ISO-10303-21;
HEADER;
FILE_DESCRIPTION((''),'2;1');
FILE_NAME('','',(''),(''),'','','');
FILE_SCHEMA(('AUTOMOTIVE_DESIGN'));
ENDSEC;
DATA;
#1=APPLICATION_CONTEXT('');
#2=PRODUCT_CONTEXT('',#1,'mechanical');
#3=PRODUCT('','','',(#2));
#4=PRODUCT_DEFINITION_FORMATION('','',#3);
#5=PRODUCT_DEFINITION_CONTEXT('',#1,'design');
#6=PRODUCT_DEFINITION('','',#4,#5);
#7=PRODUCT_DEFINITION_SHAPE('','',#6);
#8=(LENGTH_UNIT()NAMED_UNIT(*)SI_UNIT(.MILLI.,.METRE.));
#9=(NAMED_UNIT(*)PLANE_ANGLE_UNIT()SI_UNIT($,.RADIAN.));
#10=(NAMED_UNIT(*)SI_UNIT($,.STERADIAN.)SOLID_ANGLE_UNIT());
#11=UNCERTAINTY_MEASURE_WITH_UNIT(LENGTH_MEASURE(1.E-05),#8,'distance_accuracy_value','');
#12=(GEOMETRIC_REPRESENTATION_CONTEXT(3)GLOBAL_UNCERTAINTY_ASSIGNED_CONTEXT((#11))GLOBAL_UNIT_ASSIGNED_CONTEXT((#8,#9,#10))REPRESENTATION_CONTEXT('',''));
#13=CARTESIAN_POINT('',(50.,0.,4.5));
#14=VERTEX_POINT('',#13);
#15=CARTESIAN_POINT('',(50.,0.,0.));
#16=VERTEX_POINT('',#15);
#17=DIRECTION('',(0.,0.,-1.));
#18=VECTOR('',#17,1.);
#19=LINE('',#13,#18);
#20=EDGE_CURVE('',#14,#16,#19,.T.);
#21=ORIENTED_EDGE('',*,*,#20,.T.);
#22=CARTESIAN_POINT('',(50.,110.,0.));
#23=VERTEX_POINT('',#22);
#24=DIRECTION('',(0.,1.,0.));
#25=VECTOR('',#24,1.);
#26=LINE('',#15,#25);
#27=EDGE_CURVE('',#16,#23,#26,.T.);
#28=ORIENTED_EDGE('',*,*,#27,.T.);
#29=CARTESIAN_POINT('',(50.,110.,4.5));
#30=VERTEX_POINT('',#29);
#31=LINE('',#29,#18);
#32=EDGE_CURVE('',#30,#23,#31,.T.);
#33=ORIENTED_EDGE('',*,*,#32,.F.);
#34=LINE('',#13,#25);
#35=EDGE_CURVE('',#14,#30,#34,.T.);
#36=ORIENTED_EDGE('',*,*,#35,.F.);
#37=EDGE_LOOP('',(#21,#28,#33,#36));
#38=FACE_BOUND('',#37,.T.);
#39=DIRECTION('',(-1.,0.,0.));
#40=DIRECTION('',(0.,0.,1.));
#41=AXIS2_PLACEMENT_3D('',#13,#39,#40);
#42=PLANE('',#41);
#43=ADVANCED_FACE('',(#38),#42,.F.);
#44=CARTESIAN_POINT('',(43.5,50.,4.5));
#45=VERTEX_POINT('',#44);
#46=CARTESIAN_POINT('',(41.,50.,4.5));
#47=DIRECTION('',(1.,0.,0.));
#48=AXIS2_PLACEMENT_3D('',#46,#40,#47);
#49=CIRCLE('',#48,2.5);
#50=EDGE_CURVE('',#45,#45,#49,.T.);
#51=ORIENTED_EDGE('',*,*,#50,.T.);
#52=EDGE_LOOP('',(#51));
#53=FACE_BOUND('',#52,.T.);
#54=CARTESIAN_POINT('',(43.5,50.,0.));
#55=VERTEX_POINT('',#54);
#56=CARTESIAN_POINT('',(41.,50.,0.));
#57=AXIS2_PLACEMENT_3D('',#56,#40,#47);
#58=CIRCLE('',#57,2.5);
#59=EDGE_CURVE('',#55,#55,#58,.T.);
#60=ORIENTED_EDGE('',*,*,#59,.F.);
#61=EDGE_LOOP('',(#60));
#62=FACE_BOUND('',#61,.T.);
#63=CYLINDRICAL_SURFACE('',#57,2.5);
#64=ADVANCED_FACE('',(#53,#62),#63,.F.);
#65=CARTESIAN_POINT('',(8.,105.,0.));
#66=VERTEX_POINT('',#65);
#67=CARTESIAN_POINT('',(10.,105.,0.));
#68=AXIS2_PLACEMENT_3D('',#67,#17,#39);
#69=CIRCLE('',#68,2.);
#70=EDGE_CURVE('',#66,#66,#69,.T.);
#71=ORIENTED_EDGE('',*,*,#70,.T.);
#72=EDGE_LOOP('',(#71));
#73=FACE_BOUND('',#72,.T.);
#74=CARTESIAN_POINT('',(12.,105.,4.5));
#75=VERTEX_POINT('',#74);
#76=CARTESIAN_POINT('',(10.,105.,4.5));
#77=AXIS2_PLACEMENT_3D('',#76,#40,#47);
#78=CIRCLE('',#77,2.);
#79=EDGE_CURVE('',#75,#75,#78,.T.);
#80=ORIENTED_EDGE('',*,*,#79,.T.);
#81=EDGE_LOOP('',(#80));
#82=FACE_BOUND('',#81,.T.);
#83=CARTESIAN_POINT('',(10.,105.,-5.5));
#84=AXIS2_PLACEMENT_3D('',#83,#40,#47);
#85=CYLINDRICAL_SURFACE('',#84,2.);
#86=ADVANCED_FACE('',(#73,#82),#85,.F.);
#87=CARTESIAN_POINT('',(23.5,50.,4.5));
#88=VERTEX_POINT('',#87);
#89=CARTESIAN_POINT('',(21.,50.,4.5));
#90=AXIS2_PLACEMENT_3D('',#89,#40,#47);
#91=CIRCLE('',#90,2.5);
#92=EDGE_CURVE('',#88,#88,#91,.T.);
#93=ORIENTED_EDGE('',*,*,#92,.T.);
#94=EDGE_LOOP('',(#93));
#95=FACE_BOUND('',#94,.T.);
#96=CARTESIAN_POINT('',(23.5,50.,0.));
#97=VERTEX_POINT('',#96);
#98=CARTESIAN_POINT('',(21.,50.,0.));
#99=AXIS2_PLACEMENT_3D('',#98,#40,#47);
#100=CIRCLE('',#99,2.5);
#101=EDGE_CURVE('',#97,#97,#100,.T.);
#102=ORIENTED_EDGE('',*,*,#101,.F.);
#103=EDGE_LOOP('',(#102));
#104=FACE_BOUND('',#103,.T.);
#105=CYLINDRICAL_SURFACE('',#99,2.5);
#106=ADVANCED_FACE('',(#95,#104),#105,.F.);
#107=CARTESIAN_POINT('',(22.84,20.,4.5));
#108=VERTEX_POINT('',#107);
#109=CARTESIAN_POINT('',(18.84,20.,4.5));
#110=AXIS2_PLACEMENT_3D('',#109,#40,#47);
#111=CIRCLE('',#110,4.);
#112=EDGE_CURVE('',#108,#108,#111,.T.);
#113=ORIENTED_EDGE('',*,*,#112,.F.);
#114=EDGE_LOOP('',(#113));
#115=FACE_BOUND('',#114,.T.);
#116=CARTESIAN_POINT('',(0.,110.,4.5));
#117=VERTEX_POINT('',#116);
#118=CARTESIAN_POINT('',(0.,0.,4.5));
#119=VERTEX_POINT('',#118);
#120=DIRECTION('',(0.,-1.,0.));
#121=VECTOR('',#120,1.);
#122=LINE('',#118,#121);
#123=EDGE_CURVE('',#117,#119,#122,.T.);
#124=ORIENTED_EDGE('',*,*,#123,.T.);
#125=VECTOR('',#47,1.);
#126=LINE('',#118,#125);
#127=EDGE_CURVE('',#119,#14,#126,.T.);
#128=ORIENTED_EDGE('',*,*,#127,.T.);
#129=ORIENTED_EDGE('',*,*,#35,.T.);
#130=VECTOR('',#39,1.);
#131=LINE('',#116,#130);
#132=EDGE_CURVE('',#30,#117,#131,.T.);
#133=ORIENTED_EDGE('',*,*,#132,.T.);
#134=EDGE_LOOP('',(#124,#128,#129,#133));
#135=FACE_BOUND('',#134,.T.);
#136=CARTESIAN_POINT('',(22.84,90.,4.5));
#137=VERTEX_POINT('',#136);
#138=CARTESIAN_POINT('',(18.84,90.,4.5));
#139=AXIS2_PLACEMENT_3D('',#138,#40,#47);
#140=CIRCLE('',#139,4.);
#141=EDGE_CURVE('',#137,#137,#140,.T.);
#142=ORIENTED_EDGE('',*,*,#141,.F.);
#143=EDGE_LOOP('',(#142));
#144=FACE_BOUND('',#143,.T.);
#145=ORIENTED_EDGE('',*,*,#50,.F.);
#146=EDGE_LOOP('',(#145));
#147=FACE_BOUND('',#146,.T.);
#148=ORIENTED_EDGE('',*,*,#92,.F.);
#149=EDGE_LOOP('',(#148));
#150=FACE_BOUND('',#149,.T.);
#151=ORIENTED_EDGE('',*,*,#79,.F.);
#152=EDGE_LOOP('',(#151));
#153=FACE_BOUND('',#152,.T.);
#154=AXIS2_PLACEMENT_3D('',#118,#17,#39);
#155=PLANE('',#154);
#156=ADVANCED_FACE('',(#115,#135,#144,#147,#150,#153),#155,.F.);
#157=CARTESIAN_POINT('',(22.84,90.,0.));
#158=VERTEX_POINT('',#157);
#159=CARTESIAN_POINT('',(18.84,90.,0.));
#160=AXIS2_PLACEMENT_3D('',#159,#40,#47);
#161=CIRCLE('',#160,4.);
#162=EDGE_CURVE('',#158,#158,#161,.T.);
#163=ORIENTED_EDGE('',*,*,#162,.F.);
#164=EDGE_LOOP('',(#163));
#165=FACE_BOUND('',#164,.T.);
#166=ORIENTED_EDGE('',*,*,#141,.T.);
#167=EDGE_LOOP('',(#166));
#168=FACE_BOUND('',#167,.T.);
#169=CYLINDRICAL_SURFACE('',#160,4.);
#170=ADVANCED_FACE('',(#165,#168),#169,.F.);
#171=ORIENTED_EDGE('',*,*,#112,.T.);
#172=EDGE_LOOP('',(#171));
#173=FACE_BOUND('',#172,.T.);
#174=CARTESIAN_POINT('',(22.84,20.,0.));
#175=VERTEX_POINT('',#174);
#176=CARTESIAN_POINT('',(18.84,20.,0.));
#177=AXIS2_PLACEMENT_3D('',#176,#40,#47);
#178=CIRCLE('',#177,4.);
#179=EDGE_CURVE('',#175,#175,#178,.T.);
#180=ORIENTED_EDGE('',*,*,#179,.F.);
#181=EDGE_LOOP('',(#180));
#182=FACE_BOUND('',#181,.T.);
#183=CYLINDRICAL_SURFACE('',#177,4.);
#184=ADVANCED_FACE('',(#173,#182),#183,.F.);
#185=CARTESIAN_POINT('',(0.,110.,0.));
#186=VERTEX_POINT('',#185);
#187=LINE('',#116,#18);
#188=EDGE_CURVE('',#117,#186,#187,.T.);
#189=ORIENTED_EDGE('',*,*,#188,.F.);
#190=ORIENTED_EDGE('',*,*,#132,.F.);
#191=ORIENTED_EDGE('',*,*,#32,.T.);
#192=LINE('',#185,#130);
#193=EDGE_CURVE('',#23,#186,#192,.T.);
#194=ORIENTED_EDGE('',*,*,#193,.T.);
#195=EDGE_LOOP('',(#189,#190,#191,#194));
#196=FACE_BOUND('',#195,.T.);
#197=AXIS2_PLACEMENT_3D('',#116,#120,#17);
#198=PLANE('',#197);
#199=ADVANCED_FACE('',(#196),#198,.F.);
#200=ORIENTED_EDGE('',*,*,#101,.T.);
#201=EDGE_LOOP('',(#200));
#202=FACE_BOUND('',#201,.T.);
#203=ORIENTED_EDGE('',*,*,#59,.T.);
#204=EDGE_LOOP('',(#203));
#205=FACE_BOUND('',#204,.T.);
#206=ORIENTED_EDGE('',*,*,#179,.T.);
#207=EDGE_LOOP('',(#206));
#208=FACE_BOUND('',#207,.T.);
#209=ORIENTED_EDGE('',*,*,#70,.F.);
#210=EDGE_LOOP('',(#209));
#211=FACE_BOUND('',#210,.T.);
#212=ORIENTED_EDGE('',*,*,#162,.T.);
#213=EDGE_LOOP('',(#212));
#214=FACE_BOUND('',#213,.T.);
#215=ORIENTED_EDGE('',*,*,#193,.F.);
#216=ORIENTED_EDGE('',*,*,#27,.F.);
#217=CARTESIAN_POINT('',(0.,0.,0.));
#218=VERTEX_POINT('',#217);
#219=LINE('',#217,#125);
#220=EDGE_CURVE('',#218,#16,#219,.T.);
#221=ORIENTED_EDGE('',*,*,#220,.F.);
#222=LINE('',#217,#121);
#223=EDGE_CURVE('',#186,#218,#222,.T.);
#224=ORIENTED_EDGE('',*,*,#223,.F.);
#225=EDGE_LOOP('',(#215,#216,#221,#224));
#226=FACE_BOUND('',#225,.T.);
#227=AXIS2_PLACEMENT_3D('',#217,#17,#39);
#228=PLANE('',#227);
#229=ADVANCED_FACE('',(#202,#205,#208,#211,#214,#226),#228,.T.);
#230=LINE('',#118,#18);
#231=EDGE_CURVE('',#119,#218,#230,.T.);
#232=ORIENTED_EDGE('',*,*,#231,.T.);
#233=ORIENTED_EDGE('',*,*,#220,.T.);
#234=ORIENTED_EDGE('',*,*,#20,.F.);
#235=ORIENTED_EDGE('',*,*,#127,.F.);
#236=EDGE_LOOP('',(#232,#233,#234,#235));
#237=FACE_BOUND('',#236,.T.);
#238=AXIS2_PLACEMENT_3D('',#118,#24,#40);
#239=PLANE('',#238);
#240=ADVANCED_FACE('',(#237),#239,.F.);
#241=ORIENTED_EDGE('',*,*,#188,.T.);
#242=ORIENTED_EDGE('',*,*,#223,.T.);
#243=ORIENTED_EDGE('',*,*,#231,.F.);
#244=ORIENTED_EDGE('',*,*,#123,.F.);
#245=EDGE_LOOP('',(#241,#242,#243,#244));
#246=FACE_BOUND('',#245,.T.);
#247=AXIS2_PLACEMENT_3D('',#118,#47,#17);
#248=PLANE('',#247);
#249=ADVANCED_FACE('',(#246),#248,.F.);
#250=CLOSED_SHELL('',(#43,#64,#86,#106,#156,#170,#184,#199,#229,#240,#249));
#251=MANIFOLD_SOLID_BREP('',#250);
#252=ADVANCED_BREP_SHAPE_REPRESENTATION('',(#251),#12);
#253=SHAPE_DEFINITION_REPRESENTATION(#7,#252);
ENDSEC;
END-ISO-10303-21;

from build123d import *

# Parameters (mm, degrees)
SKETCH1_W           = 50
SKETCH1_H           = 110
BOSS_EXTRUDE1_DEPTH = 4.5
SKETCH2_R           = 4
CUT_EXTRUDE1_DEPTH  = 4.5
SKETCH3_R           = 2.5
CUT_EXTRUDE2_DEPTH  = 4.5
SKETCH6_R           = 2
CUT_EXTRUDE3_DEPTH  = 10


with BuildPart() as part:
    # Sketch1 → Boss-Extrude1 (new body)
    with BuildSketch(Plane.XY):
        with Locations((25, 55)):
            Rectangle(SKETCH1_W, SKETCH1_H)
    extrude(amount=BOSS_EXTRUDE1_DEPTH)

    # Sketch2 → Cut-Extrude1 (cut)
    with BuildSketch(Plane.XY.offset(4.5)):
        with Locations((18.84, 90)):
            Circle(SKETCH2_R)
        with Locations((18.84, 20)):
            Circle(SKETCH2_R)
    extrude(amount=-CUT_EXTRUDE1_DEPTH, mode=Mode.SUBTRACT)

    # Sketch3 → Cut-Extrude2 (cut)
    with BuildSketch(Plane.XY.offset(4.5)):
        with Locations((41, 50)):
            Circle(SKETCH3_R)
        with Locations((21, 50)):
            Circle(SKETCH3_R)
    extrude(amount=-CUT_EXTRUDE2_DEPTH, mode=Mode.SUBTRACT)

    # Sketch6 → Cut-Extrude3 (cut)
    with BuildSketch(Plane.XY.offset(4.5)):
        with Locations((10, 105)):
            Circle(SKETCH6_R)
    extrude(amount=-CUT_EXTRUDE3_DEPTH, mode=Mode.SUBTRACT)


solid = part.part
